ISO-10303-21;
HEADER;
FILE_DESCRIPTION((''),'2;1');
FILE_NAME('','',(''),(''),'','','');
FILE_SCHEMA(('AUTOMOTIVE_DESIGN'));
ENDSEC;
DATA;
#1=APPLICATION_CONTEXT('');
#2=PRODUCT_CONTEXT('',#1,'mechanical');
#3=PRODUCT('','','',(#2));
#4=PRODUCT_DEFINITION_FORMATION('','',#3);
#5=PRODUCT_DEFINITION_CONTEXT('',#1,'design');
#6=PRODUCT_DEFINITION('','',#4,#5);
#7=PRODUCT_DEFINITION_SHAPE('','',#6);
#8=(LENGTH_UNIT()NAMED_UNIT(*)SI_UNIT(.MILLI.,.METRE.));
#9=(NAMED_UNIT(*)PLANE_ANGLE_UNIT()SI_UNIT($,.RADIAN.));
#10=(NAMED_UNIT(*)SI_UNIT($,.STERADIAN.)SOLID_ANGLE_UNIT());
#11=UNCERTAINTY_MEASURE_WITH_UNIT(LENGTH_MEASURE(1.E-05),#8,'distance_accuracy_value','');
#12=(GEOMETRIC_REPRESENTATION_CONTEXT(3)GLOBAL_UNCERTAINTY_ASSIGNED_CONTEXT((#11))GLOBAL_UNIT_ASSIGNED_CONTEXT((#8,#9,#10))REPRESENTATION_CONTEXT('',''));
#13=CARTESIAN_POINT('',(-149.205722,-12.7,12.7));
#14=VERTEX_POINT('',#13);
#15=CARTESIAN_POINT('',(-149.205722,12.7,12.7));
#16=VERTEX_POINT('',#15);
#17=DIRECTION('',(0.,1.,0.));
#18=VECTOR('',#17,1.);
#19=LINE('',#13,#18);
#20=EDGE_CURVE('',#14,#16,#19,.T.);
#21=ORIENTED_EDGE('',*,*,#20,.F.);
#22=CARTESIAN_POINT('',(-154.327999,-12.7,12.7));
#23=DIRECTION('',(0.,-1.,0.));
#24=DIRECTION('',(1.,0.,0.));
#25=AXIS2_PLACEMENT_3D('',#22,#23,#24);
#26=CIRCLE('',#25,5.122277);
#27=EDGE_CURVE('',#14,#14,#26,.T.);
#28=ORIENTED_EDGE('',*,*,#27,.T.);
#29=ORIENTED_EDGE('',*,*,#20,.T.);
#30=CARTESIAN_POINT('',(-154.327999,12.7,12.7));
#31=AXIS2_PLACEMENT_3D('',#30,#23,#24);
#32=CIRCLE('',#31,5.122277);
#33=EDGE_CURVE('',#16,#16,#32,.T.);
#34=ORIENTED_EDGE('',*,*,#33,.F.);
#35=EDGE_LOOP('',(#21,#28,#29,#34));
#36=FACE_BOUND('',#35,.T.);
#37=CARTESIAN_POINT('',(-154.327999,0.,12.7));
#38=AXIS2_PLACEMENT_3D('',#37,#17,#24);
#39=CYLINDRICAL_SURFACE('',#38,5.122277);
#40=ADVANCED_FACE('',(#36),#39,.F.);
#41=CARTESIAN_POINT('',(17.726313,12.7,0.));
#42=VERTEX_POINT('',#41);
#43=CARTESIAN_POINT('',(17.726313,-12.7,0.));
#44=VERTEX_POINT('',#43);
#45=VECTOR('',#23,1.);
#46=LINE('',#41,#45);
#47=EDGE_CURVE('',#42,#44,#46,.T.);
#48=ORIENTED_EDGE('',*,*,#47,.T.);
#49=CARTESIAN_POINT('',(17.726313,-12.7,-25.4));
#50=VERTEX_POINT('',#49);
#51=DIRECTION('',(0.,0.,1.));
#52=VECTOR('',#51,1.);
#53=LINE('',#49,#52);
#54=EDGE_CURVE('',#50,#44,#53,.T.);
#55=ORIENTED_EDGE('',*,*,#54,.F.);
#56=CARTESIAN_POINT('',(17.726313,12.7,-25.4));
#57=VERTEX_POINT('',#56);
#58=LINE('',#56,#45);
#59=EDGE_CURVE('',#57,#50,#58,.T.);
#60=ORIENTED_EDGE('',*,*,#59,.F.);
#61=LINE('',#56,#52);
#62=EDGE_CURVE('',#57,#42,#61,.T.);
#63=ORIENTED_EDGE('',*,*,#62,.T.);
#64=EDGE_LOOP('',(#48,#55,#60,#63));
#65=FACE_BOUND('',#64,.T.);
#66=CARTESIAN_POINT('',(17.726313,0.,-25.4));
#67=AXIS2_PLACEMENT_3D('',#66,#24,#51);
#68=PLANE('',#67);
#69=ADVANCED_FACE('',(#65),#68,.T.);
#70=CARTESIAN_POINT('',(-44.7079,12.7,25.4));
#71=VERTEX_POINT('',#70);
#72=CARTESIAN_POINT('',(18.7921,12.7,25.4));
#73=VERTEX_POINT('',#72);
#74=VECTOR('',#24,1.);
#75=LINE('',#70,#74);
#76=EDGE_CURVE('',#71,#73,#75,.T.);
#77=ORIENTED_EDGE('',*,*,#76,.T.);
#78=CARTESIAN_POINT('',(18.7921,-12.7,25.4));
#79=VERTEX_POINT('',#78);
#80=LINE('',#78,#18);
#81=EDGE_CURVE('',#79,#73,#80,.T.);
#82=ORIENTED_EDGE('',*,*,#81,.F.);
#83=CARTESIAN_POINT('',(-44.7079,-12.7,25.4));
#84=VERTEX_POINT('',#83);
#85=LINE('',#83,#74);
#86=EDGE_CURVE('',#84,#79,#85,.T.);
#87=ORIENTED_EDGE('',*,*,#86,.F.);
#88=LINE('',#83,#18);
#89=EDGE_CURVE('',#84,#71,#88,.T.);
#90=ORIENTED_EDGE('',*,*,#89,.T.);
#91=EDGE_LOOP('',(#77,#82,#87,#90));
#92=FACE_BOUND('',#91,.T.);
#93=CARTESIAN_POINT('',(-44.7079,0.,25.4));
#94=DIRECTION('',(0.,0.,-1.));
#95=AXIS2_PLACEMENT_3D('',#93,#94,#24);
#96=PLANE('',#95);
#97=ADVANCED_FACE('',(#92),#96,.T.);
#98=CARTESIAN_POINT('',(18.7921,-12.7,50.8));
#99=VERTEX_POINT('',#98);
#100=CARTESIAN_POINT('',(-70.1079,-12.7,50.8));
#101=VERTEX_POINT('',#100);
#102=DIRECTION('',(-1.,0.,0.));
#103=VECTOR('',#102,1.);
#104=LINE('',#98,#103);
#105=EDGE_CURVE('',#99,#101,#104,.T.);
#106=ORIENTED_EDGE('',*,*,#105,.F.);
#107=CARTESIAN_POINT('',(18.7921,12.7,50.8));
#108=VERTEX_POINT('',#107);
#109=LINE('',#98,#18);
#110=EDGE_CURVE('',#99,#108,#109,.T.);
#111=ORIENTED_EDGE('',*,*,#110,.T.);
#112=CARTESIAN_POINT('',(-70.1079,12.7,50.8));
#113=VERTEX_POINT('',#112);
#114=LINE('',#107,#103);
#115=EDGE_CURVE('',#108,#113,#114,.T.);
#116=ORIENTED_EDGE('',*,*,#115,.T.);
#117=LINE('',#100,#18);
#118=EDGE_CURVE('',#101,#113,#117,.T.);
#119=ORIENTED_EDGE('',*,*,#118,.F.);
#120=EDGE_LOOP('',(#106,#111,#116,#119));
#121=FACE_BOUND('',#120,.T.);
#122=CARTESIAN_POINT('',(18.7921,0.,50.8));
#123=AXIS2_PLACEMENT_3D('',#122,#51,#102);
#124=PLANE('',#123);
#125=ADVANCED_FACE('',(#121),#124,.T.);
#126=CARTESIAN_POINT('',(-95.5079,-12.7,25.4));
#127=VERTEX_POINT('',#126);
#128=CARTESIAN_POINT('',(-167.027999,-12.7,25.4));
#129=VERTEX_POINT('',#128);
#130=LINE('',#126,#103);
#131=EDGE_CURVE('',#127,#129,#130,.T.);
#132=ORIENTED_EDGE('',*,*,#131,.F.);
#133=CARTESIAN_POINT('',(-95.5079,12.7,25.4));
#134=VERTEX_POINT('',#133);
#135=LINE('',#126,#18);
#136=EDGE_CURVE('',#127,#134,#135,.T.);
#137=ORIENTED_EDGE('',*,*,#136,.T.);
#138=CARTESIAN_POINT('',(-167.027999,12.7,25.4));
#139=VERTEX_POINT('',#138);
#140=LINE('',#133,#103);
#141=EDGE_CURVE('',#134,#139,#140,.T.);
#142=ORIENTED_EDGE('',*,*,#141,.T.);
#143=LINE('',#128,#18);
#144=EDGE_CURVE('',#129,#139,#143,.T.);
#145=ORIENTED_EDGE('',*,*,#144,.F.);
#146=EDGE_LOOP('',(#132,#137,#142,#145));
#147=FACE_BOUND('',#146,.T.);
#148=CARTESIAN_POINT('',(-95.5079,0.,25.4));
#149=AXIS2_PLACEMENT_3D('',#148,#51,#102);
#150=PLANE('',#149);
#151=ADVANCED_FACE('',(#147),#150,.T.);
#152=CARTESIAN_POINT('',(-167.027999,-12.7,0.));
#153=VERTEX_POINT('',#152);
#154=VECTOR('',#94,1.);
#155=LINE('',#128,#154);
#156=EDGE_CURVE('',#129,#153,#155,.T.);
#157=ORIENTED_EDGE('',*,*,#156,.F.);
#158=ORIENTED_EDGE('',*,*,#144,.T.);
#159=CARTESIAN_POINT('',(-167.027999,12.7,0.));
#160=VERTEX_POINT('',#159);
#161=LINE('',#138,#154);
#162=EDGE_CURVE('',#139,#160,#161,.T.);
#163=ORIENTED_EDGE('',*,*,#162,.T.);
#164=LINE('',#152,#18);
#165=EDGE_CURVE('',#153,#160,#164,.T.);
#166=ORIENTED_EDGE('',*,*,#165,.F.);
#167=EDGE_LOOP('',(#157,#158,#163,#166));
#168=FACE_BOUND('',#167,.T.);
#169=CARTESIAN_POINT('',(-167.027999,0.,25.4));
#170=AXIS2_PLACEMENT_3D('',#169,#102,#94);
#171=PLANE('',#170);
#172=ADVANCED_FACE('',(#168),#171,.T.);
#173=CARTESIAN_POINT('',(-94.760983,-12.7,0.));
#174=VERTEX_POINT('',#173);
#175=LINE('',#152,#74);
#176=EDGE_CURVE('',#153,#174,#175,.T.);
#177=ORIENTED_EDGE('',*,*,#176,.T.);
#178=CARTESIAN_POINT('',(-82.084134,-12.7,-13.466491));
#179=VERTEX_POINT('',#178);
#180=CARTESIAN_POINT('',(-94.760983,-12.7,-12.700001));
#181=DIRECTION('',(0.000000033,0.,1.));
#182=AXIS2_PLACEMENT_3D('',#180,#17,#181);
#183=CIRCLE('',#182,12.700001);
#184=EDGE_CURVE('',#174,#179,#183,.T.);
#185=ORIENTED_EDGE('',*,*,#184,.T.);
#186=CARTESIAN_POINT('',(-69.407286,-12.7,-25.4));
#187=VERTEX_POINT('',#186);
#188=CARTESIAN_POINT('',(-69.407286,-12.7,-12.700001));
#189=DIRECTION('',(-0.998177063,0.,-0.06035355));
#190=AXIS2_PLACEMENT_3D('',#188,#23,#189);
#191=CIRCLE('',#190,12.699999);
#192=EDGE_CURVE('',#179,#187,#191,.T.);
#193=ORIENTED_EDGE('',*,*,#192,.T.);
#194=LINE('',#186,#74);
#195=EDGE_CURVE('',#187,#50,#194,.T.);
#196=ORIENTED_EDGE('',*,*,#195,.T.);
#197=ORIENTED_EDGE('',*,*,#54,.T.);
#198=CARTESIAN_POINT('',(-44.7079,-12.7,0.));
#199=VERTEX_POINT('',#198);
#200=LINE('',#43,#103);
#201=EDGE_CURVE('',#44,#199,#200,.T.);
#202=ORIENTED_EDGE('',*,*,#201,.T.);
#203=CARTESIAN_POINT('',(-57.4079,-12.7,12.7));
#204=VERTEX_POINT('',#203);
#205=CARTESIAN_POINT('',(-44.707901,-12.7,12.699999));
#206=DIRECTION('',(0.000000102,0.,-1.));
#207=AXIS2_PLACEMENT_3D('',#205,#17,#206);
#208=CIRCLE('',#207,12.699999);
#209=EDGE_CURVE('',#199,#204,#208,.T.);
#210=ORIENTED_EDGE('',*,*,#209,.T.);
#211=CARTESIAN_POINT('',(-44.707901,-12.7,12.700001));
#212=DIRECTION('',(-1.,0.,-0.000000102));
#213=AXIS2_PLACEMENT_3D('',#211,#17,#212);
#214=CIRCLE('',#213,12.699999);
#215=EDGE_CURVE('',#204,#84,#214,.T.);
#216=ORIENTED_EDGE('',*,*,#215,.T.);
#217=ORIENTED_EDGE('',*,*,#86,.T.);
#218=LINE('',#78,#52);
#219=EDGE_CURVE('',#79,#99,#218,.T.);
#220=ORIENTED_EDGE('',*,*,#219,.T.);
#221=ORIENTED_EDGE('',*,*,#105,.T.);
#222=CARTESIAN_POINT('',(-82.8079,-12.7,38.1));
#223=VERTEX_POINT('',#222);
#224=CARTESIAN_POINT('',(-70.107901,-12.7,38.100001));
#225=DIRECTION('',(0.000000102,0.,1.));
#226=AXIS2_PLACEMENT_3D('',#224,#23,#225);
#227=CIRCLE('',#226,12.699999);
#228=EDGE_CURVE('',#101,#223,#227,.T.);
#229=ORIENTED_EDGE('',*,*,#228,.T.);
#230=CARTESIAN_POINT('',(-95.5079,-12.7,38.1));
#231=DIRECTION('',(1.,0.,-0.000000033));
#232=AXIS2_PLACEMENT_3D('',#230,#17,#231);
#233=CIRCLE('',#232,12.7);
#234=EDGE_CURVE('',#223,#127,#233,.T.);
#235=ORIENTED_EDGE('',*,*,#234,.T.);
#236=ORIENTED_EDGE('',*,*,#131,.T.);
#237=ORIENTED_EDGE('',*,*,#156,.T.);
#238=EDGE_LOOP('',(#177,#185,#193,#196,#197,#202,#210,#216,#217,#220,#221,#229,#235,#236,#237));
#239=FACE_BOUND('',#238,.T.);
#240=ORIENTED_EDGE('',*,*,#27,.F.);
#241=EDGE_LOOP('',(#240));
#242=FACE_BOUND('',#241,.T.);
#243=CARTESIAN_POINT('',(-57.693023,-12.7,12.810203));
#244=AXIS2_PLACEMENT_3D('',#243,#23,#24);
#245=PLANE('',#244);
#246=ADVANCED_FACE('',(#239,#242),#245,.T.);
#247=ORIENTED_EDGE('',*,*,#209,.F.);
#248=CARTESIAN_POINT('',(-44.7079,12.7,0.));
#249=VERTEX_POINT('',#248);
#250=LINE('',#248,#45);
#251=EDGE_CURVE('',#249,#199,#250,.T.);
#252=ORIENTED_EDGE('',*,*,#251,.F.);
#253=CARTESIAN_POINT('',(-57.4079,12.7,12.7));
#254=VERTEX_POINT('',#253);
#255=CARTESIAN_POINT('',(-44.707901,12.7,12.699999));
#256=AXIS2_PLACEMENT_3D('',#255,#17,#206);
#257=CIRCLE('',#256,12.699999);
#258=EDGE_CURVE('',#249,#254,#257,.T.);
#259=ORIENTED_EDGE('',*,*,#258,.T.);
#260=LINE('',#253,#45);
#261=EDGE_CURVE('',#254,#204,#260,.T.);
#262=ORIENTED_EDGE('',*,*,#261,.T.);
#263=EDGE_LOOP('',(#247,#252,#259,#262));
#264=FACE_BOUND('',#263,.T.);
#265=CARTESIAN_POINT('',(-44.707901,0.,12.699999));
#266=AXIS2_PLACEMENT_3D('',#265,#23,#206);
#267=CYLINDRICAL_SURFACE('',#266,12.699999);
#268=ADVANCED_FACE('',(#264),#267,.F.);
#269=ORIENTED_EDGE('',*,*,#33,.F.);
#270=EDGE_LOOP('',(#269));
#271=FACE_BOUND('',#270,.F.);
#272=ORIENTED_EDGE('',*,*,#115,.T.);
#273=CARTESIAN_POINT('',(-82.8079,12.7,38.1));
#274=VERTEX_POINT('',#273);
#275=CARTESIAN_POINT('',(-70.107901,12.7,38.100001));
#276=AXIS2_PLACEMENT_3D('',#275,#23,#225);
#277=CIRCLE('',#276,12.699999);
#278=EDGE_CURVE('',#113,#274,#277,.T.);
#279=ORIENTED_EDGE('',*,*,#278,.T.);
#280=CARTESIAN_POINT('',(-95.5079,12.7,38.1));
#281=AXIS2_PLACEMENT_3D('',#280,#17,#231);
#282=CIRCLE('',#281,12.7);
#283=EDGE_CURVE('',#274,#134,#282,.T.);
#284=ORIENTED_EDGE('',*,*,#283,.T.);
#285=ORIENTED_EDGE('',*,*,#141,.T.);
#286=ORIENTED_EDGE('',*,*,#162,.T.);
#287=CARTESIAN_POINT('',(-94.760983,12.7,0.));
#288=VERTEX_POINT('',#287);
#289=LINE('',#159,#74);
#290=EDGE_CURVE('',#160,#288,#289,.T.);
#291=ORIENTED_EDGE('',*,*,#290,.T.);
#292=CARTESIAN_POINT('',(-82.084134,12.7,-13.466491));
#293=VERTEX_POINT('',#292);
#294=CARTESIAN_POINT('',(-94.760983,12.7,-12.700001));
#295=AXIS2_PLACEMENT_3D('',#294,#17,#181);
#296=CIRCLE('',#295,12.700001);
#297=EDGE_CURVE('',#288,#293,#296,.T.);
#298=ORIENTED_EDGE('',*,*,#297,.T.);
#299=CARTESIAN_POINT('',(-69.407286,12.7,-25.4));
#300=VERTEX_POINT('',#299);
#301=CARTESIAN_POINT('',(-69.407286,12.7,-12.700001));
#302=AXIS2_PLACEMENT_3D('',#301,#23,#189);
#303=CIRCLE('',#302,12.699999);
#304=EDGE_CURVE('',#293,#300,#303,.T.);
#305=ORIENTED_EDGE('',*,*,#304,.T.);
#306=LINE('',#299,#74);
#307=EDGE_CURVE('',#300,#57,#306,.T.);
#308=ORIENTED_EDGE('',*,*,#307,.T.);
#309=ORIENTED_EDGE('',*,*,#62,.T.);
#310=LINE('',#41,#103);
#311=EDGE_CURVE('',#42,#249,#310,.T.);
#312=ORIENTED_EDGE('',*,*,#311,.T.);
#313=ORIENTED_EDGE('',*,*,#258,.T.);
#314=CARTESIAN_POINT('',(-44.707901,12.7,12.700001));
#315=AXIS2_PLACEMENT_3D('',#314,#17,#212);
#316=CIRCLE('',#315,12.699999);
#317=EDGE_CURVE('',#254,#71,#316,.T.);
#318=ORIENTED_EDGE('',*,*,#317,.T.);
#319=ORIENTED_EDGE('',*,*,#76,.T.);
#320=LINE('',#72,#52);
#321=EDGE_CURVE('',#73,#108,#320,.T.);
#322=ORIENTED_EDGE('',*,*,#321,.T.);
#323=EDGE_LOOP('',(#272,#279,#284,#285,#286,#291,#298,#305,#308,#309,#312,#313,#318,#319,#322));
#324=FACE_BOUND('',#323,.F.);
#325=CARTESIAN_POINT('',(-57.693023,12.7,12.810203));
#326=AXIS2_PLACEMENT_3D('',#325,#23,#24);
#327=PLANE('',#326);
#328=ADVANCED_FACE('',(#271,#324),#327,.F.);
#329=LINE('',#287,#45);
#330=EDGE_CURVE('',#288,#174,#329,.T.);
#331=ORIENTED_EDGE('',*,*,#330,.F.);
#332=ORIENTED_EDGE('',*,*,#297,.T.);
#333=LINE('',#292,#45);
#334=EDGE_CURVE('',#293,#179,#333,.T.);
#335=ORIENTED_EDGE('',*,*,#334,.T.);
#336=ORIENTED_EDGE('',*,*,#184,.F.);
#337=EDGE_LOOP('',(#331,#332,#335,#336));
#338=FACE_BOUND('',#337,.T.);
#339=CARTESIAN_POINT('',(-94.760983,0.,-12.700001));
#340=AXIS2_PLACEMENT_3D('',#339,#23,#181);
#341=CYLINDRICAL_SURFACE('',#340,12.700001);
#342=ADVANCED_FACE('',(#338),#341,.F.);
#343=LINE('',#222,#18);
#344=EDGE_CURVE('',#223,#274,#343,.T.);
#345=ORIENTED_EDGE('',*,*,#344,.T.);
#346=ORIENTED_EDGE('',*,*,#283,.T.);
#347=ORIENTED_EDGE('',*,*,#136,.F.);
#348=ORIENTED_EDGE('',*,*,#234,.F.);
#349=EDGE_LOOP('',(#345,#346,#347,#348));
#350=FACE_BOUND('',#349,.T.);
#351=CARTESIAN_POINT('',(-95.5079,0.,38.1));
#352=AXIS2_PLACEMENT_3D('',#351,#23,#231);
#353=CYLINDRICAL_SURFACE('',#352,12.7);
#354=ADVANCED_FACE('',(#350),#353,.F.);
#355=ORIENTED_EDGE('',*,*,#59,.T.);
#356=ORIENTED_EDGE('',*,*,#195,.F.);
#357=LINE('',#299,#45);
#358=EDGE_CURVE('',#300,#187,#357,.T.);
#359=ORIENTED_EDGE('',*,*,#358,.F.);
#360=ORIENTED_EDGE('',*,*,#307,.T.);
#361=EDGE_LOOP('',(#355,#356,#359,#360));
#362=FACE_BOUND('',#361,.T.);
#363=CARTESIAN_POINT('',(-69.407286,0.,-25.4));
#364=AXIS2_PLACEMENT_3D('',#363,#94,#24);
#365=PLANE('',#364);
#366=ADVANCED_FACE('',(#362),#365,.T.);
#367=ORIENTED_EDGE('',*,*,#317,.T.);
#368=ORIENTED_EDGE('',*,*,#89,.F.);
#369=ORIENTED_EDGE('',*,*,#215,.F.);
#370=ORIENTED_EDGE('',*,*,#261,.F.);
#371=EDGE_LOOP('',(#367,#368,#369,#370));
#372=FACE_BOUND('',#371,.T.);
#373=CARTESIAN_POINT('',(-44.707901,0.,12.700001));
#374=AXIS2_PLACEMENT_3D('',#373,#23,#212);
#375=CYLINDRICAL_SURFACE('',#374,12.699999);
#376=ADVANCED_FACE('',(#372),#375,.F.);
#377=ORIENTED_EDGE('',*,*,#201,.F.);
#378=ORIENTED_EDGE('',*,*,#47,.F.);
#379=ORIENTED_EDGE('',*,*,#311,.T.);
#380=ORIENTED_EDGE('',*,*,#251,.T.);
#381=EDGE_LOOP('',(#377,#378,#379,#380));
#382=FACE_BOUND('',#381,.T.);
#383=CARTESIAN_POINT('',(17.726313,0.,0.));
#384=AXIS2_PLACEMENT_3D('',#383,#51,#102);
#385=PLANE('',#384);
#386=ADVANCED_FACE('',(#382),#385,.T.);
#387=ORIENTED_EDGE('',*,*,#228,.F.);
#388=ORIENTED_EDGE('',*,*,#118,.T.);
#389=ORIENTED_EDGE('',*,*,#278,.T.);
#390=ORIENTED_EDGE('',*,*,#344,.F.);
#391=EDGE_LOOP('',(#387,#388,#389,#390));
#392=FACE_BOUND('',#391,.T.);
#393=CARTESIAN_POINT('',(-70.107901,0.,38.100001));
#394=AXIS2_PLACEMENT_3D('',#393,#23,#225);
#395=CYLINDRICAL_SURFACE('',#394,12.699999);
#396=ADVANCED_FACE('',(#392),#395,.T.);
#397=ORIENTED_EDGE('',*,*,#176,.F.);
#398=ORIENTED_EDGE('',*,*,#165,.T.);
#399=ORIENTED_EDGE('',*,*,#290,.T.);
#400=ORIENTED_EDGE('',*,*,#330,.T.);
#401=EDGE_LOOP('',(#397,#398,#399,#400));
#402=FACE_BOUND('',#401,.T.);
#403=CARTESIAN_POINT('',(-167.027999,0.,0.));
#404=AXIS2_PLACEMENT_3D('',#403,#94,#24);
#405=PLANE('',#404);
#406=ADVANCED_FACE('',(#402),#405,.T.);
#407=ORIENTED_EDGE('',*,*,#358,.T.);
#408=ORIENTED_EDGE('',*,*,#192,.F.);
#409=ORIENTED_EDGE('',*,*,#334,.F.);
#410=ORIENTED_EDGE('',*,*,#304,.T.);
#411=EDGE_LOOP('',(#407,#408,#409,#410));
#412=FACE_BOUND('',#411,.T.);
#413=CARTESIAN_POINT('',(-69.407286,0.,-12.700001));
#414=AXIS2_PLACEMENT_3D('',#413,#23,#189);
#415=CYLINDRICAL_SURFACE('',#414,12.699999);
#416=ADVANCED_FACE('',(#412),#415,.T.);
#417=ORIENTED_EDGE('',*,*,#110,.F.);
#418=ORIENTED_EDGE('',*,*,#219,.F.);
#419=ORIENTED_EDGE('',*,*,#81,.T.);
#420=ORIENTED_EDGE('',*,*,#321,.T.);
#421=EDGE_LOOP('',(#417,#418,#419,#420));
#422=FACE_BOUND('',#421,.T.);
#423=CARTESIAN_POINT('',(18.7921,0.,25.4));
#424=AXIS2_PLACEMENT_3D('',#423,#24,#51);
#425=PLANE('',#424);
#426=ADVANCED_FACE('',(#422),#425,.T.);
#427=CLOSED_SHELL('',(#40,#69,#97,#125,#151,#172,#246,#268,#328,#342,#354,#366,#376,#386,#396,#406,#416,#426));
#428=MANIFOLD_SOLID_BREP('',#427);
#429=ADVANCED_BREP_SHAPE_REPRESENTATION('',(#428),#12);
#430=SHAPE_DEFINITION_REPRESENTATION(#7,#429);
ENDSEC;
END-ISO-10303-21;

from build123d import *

# Parameters (mm, degrees)
F0_R     = 5.122277
F1_DEPTH = 12.7


with BuildPart() as f1:
    # F0 (on Front) → F1 (new body, symmetric)
    with BuildSketch(Plane.XZ):
        with BuildLine():
            Line((-167.027999, 0), (-94.760983, 0))
            ThreePointArc((-94.760983, 0), (-85.513701, -3.994957), (-82.084134, -13.466491))
            ThreePointArc((-82.084134, -13.466491), (-78.112329, -21.947282), (-69.407286, -25.4))
            Line((-69.407286, -25.4), (17.726313, -25.4))
            Line((17.726313, -25.4), (17.726313, 0))
            Line((17.726313, 0), (-44.7079, 0))
            ThreePointArc((-44.7079, 0), (-53.688157, 3.719744), (-57.4079, 12.7))
            ThreePointArc((-57.4079, 12.7), (-53.688157, 21.680256), (-44.7079, 25.4))
            Line((-44.7079, 25.4), (18.7921, 25.4))
            Line((18.7921, 25.4), (18.7921, 50.8))
            Line((18.7921, 50.8), (-70.1079, 50.8))
            ThreePointArc((-70.1079, 50.8), (-79.088157, 47.080256), (-82.8079, 38.1))
            ThreePointArc((-82.8079, 38.1), (-86.527644, 29.119744), (-95.5079, 25.4))
            Line((-95.5079, 25.4), (-167.027999, 25.4))
            Line((-167.027999, 25.4), (-167.027999, 0))
        make_face()
        with Locations((-154.327999, 12.7)):
            Circle(F0_R, mode=Mode.SUBTRACT)
    extrude(amount=F1_DEPTH, both=True)


solid = f1.part
